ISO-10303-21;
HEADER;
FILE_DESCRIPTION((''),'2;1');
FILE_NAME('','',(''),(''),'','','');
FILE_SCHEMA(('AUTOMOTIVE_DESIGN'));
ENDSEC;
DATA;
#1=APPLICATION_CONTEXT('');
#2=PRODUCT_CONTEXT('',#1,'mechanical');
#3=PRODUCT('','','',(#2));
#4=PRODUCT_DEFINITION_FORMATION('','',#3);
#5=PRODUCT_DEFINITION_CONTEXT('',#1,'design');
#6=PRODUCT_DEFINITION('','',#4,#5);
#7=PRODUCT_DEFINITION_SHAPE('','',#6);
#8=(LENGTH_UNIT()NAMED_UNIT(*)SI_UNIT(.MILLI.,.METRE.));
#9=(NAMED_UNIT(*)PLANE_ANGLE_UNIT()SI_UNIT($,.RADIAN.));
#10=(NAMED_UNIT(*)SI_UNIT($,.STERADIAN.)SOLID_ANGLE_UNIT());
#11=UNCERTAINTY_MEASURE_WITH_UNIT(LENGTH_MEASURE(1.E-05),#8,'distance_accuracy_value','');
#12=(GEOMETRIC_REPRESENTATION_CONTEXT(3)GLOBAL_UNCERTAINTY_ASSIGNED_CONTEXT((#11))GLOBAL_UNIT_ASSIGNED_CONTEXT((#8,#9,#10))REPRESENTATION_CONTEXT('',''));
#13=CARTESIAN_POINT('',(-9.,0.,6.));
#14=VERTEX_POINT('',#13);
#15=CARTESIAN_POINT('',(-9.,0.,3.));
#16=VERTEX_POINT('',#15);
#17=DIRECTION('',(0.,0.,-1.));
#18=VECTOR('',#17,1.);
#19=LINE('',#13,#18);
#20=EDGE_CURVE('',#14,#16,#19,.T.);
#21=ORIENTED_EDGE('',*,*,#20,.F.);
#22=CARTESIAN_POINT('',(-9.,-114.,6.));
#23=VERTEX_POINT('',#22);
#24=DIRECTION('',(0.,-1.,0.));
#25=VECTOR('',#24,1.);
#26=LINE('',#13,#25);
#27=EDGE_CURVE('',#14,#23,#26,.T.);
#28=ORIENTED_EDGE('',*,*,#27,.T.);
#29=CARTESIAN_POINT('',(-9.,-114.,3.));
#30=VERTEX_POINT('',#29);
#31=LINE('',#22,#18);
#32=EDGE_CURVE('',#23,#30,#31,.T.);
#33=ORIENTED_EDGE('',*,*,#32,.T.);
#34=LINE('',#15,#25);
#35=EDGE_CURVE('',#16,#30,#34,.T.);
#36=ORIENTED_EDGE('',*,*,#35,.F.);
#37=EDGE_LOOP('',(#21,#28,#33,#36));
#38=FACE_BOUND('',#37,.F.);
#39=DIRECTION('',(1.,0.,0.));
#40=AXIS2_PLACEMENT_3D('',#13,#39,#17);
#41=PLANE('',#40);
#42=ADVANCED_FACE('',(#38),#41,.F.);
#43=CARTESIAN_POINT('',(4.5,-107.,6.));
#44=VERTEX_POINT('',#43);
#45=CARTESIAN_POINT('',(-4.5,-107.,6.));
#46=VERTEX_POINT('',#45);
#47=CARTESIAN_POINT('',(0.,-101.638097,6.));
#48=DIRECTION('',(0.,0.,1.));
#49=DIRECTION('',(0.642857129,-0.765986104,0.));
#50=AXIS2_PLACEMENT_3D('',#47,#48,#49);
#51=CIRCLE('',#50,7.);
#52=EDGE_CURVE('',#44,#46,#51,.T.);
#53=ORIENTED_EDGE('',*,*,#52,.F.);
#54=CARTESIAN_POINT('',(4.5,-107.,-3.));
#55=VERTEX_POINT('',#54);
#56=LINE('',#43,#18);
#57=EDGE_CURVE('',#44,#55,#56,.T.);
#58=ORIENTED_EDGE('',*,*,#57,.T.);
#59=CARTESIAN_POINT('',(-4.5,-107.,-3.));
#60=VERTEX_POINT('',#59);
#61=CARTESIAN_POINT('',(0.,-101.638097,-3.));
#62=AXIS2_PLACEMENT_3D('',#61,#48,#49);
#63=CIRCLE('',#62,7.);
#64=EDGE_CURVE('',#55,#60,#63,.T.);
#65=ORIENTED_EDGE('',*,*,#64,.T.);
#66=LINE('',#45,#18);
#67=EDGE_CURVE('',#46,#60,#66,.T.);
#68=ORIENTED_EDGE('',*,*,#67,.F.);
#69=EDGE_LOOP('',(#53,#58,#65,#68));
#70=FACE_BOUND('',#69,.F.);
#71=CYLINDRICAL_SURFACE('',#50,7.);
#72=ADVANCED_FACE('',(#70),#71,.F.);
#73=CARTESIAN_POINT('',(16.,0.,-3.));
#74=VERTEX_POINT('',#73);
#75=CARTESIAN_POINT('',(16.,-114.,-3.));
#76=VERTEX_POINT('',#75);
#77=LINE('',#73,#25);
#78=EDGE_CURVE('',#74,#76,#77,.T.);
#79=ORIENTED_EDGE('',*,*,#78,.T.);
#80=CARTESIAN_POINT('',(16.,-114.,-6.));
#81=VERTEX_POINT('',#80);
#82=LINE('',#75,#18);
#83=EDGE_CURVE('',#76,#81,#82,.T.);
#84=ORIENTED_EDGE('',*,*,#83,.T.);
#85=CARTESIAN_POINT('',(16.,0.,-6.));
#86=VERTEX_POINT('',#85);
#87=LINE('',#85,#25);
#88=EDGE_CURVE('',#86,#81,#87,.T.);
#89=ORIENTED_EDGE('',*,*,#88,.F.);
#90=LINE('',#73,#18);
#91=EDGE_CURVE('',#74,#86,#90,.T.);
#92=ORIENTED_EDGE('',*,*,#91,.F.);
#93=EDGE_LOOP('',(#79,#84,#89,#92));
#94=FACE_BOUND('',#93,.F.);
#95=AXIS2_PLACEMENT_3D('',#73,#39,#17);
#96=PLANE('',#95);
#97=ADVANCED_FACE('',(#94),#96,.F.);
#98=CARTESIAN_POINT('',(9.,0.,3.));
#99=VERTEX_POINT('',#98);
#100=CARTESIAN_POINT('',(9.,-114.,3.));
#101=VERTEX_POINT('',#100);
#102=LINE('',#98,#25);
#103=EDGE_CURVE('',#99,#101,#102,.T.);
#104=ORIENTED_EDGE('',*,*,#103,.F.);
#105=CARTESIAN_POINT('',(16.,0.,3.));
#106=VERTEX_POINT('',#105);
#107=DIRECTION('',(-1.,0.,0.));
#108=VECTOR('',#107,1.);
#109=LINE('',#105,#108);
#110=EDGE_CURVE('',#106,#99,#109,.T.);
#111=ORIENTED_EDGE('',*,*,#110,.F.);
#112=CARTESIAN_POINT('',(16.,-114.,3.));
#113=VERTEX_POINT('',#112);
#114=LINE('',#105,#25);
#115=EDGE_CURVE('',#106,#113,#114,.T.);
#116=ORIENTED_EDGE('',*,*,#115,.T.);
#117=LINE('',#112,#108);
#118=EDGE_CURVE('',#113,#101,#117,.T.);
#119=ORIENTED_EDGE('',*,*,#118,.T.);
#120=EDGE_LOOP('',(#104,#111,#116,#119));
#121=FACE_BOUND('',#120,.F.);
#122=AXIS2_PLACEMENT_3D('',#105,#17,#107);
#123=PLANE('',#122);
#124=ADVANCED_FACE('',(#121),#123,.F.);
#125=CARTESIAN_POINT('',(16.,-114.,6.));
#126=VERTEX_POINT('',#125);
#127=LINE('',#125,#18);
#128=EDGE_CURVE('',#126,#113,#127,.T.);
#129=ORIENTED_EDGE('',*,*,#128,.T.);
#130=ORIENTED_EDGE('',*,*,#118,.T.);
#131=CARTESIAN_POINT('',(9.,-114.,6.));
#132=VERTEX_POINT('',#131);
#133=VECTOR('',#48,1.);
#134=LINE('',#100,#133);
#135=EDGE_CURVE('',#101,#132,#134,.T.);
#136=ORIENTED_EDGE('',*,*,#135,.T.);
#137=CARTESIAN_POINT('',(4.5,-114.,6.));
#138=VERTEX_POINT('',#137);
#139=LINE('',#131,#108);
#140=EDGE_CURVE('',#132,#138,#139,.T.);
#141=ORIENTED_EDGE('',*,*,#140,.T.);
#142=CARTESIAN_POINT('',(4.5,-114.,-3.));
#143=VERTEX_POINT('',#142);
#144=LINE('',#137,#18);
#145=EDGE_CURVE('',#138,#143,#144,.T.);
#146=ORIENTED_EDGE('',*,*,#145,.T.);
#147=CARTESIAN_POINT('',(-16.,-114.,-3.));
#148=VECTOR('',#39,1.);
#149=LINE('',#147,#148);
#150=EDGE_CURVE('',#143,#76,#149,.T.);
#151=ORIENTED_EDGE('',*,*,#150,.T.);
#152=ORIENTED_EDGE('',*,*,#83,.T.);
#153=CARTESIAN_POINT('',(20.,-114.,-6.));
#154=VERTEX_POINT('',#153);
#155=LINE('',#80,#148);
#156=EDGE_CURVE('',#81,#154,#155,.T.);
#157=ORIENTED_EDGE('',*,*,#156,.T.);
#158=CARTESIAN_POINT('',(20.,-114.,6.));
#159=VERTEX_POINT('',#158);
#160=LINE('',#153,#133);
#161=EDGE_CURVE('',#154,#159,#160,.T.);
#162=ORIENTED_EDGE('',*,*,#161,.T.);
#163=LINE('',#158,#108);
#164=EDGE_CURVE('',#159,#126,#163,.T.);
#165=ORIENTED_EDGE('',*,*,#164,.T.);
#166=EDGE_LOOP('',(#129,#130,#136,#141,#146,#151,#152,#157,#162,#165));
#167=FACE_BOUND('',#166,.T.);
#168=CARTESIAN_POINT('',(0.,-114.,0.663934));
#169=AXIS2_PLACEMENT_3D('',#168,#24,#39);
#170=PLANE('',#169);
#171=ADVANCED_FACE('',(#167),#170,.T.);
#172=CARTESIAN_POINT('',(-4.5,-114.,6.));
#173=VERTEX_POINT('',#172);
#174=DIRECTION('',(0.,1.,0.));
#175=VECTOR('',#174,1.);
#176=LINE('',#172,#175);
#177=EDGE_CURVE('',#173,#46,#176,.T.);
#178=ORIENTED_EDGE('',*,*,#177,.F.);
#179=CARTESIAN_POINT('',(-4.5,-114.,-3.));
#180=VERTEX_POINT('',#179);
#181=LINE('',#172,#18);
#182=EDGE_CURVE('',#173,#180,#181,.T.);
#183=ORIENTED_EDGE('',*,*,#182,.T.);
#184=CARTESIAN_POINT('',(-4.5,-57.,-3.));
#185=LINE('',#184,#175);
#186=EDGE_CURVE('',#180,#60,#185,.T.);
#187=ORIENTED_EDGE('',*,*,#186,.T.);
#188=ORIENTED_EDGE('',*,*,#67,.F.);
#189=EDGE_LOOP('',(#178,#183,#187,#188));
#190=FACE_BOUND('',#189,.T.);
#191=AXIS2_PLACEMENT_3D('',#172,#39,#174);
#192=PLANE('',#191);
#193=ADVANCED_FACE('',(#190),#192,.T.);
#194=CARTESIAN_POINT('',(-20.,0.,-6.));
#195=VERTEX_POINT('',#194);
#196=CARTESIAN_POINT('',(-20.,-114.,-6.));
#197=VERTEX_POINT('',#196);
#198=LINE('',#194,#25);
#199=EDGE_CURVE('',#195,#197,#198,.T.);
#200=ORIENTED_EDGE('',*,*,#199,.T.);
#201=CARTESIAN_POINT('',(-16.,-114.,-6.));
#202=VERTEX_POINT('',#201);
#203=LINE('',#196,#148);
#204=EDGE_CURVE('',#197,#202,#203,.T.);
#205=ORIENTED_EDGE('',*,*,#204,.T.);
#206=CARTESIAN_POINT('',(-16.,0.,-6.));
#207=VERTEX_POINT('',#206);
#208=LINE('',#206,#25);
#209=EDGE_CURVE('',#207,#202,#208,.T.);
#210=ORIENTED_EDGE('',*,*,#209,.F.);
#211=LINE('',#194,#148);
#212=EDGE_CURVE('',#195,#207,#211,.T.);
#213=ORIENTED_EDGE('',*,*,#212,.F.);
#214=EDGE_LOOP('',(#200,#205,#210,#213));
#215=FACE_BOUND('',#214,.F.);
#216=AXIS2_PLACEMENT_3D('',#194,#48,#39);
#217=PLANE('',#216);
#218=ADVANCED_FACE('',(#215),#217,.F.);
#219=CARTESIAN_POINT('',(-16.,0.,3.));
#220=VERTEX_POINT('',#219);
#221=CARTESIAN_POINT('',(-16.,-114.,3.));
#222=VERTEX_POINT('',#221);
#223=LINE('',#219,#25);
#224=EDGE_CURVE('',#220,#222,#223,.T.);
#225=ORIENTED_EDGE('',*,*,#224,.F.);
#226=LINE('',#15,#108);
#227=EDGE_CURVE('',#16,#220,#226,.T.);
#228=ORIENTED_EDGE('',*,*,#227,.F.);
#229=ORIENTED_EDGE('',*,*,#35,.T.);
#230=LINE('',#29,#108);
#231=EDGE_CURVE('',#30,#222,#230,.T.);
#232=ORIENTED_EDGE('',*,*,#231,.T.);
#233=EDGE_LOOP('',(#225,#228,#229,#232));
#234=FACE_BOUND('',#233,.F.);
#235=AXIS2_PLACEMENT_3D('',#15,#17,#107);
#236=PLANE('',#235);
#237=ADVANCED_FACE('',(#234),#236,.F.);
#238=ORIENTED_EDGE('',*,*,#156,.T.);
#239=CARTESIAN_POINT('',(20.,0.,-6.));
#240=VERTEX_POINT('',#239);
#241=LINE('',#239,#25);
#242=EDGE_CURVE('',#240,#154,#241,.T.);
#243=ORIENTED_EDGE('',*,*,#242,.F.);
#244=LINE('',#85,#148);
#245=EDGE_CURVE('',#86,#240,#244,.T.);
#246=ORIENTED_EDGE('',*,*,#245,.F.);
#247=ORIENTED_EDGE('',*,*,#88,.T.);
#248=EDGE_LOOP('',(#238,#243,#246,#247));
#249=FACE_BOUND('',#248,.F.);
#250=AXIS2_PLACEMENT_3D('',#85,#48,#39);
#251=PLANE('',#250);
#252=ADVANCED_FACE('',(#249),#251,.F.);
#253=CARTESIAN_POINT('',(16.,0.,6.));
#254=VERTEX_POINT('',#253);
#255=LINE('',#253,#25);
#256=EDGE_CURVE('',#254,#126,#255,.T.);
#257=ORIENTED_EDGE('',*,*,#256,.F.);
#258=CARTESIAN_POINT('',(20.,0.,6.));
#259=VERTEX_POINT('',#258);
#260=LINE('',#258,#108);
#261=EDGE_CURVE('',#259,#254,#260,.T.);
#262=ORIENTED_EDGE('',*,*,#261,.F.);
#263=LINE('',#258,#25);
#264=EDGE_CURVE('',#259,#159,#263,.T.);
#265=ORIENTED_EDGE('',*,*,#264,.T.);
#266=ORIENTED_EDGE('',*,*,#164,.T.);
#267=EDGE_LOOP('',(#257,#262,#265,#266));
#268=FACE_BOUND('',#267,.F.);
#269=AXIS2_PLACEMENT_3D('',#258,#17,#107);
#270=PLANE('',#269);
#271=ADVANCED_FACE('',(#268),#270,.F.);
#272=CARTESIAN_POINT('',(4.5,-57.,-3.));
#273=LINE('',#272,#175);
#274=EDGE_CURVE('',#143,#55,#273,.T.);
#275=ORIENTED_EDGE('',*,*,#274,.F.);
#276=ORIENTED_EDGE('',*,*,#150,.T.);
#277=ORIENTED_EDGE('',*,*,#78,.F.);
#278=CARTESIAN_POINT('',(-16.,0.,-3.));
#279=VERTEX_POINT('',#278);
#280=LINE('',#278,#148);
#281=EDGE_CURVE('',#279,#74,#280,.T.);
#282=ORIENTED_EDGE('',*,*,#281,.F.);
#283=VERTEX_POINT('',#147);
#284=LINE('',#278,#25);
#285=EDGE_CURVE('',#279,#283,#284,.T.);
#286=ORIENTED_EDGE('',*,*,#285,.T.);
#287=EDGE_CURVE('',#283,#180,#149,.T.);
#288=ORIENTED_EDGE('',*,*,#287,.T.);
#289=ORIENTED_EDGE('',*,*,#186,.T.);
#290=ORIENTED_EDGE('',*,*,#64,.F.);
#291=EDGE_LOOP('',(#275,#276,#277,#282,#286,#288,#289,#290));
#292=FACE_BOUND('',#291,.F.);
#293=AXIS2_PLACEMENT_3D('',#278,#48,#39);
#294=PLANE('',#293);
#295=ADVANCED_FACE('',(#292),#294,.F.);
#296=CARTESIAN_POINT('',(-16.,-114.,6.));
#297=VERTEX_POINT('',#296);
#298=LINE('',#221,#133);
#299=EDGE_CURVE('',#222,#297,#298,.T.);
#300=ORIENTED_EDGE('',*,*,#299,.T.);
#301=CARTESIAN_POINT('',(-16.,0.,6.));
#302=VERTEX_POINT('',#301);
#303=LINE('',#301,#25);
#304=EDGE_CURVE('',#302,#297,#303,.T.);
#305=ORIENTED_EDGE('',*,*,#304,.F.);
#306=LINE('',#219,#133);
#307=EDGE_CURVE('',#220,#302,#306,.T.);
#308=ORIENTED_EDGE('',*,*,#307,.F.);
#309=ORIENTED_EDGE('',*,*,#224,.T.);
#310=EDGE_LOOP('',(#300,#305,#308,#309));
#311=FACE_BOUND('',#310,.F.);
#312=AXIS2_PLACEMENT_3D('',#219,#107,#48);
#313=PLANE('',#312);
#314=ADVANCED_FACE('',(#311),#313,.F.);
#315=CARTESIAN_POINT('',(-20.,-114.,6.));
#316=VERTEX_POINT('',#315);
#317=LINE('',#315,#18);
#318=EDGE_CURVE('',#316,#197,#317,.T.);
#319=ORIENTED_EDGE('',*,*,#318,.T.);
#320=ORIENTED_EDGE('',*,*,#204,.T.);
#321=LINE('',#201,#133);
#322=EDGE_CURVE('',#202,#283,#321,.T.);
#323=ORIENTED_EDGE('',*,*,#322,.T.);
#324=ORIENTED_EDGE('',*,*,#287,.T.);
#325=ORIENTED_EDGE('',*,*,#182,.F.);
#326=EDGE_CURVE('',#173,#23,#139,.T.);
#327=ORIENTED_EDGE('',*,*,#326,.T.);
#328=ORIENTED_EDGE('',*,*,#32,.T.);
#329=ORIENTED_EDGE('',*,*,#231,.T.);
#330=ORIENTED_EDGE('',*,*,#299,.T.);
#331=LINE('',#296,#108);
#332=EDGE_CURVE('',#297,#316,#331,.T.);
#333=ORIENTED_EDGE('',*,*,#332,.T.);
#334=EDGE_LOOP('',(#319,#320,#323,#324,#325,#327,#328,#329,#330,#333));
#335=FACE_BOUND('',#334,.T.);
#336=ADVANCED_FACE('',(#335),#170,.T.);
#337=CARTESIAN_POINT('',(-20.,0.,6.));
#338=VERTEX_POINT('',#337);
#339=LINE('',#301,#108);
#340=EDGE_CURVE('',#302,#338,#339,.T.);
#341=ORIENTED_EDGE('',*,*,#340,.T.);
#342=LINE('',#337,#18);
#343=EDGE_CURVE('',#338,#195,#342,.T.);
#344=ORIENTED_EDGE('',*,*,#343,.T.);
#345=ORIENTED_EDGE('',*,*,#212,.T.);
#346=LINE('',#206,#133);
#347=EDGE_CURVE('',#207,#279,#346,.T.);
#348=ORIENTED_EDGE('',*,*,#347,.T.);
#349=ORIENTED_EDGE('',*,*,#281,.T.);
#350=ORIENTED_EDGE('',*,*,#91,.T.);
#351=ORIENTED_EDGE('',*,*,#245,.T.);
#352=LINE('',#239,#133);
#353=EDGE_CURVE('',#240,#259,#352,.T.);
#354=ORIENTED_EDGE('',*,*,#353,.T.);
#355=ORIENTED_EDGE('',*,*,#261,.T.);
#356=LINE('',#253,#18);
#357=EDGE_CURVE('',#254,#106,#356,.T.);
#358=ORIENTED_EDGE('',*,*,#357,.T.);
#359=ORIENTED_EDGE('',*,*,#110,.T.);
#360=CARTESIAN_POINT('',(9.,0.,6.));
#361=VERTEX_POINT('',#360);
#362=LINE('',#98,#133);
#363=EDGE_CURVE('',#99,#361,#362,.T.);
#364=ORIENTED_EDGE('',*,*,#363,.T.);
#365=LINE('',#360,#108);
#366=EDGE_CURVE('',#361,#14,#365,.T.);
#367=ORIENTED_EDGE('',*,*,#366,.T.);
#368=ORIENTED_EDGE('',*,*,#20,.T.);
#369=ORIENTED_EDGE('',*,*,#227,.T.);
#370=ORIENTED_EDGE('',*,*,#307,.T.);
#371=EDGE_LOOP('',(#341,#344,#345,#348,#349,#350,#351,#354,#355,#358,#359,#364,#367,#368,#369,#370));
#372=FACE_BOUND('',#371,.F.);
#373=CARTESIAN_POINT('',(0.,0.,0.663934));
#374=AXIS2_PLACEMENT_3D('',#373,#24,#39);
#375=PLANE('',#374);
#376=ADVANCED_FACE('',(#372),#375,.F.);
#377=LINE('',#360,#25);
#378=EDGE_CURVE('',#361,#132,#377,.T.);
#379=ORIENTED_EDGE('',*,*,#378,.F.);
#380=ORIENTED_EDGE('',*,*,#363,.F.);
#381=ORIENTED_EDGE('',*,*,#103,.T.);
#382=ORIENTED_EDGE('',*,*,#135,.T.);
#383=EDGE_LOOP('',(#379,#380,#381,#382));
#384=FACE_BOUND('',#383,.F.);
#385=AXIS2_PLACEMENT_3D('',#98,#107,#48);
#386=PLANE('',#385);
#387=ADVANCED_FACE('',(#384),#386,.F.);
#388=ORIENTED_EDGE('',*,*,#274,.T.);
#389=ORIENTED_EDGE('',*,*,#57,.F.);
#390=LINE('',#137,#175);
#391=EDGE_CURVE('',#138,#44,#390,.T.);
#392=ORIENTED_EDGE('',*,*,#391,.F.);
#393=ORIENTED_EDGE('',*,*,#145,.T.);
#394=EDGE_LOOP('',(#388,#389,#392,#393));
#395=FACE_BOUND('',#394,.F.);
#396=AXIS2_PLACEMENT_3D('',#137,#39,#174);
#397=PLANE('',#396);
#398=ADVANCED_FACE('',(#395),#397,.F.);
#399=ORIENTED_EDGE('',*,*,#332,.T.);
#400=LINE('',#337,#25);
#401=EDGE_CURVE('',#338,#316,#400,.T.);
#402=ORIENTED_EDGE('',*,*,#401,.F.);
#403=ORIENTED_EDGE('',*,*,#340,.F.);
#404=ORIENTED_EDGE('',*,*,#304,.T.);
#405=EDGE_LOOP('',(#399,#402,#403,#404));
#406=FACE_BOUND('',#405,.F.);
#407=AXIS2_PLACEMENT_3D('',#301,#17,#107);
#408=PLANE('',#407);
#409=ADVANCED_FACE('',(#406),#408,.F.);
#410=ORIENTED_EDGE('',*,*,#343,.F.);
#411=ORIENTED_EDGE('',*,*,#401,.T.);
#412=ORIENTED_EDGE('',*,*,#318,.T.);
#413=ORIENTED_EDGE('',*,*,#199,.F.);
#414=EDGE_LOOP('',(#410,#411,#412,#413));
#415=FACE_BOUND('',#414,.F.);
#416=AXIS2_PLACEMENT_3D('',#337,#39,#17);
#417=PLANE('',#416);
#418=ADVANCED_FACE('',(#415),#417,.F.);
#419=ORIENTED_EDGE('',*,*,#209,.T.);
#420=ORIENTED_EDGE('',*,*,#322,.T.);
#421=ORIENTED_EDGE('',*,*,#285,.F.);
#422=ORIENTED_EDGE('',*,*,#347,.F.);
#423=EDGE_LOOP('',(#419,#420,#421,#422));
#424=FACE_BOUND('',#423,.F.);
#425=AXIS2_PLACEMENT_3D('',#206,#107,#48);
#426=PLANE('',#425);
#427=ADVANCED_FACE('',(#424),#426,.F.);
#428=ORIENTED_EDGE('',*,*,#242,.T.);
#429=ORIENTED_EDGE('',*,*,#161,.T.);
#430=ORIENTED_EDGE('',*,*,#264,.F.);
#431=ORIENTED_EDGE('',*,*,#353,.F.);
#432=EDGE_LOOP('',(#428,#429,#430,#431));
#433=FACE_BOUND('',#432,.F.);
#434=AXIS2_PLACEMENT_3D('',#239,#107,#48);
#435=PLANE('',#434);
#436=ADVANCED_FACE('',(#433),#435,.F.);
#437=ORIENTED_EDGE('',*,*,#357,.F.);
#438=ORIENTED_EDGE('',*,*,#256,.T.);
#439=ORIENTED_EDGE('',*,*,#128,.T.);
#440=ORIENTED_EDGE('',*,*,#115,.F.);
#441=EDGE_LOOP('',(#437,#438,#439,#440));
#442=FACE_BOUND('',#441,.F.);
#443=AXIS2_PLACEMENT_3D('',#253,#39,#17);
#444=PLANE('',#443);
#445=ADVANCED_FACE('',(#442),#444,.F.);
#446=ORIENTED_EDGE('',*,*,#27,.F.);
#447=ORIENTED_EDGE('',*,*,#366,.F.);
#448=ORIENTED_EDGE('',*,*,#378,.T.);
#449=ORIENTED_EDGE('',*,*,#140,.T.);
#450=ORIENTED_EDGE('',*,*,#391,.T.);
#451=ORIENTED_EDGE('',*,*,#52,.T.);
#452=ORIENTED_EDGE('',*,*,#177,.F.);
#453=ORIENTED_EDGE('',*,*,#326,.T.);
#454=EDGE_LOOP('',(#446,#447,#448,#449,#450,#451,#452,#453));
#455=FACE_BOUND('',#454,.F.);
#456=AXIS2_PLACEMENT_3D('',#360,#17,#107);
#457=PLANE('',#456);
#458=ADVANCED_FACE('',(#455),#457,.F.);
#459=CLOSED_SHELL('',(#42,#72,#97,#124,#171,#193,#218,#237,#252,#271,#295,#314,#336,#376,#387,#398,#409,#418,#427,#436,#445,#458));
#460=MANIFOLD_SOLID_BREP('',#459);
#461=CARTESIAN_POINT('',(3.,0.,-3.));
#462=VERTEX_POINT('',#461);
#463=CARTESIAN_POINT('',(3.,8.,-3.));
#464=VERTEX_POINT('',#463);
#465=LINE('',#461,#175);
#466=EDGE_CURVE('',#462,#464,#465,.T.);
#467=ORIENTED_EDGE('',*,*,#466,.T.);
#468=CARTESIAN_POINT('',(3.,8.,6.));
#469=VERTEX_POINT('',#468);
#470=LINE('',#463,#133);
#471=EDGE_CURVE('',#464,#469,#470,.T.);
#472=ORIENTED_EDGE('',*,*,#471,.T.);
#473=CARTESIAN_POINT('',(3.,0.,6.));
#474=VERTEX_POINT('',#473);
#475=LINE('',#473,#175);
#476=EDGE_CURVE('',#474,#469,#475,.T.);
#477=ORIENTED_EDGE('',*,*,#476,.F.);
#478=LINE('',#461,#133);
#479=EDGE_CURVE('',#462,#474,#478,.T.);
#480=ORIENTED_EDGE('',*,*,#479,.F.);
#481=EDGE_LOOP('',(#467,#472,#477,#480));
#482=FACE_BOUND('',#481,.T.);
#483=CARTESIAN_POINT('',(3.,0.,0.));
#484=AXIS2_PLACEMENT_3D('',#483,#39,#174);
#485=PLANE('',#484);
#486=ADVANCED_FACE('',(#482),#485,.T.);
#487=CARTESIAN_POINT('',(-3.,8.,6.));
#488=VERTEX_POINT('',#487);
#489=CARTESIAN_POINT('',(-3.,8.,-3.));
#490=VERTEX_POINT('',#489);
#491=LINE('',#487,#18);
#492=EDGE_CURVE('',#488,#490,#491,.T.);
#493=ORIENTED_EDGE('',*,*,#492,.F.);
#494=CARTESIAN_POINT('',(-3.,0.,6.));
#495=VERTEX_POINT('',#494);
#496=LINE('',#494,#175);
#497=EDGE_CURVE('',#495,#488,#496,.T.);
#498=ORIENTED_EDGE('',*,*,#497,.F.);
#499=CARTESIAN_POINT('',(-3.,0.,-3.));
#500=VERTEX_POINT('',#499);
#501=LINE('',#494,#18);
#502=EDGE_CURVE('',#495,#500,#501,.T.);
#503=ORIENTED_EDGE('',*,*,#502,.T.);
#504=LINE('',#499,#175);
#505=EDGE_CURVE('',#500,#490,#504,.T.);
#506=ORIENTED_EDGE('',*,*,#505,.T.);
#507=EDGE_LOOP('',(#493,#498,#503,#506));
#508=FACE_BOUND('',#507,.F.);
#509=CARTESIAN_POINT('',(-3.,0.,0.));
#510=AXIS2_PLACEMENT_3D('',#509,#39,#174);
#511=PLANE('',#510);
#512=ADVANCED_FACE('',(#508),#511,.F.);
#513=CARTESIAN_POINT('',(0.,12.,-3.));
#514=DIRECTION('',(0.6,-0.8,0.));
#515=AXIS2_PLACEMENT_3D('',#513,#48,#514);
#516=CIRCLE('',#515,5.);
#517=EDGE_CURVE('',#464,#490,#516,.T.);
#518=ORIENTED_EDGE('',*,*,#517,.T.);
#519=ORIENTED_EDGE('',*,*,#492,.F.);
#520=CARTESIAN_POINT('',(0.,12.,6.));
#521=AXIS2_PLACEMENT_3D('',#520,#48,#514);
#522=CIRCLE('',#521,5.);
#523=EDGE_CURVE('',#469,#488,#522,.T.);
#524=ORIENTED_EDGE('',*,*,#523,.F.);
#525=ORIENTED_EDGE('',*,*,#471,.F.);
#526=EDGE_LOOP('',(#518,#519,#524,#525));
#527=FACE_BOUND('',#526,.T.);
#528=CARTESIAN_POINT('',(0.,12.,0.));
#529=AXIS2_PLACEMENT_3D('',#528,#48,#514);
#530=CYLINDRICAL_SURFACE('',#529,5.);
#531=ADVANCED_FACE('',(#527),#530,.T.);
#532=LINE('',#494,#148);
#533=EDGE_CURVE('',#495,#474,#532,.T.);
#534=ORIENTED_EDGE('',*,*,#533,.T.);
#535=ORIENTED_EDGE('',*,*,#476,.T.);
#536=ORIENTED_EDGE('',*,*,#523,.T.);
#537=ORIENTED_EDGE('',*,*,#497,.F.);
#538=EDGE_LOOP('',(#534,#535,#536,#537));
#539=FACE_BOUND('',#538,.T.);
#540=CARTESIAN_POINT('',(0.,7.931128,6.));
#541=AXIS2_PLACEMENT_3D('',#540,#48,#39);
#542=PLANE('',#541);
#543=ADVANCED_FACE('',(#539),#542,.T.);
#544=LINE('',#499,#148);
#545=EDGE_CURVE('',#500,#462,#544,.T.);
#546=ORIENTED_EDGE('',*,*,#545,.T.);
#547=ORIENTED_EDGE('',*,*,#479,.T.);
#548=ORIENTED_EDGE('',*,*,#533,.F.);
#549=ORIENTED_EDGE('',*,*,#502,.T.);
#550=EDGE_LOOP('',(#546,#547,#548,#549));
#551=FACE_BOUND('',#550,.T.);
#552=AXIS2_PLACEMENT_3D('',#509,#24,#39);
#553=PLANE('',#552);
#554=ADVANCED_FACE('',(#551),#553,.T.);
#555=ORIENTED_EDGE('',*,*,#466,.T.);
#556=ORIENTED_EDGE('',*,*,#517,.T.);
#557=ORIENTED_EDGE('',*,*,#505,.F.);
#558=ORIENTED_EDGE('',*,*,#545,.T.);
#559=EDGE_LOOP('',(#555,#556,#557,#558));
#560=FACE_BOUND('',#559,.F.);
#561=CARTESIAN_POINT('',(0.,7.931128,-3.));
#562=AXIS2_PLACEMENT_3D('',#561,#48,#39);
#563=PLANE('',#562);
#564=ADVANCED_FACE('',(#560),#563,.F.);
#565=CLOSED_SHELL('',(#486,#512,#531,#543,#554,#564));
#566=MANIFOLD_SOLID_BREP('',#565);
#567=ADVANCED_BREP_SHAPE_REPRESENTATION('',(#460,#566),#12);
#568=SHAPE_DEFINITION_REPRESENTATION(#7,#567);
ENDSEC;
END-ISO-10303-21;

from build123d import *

# Parameters (mm, degrees)
PAD_DEPTH         = 114
POCKET_DEPTH      = 12.001
PAD001_DEPTH      = 6
PAD001_DEPTH_BACK = 3


with BuildPart() as body:
    # Sketch → Pad (new body)
    with BuildSketch(Plane.XZ):
        Polygon((-20, 6), (-20, -6), (-16, -6), (-16, -3), (-9, -3), (9, -3), (16, -3), (16, -6), (20, -6), (20, 6), (16, 6), (16, 3), (9, 3), (9, 6), (-9, 6), (-9, 3), (-16, 3), (-16, 6), align=None)
    extrude(amount=PAD_DEPTH)

    # Sketch002 (on Face14 of Pad) → Pocket (cut, through all)
    with BuildSketch(Plane(origin=(0, 0, 6), x_dir=(-1, 0, 0), z_dir=(0, 0, 1))):
        with BuildLine():
            Line((-4.5, 114), (4.5, 114))
            Line((4.5, 114), (4.5, 107))
            ThreePointArc((-4.5, 107), (0, 94.638097), (4.5, 107))
            Line((-4.5, 114), (-4.5, 107))
        make_face()
    extrude(amount=-POCKET_DEPTH, mode=Mode.SUBTRACT)


with BuildPart() as body001:
    # Sketch001 → Pad001 (new body, two sides)
    with BuildSketch(Plane.XY) as pad001_sk:
        with BuildLine():
            Line((-3, 0), (3, 0))
            Line((3, 0), (3, 8))
            ThreePointArc((3, 8), (0, 17), (-3, 8))
            Line((-3, 0), (-3, 8))
        make_face()
    extrude(amount=PAD001_DEPTH)
    extrude(pad001_sk.sketch, amount=-PAD001_DEPTH_BACK)


solid = Compound([body.part, body001.part])
